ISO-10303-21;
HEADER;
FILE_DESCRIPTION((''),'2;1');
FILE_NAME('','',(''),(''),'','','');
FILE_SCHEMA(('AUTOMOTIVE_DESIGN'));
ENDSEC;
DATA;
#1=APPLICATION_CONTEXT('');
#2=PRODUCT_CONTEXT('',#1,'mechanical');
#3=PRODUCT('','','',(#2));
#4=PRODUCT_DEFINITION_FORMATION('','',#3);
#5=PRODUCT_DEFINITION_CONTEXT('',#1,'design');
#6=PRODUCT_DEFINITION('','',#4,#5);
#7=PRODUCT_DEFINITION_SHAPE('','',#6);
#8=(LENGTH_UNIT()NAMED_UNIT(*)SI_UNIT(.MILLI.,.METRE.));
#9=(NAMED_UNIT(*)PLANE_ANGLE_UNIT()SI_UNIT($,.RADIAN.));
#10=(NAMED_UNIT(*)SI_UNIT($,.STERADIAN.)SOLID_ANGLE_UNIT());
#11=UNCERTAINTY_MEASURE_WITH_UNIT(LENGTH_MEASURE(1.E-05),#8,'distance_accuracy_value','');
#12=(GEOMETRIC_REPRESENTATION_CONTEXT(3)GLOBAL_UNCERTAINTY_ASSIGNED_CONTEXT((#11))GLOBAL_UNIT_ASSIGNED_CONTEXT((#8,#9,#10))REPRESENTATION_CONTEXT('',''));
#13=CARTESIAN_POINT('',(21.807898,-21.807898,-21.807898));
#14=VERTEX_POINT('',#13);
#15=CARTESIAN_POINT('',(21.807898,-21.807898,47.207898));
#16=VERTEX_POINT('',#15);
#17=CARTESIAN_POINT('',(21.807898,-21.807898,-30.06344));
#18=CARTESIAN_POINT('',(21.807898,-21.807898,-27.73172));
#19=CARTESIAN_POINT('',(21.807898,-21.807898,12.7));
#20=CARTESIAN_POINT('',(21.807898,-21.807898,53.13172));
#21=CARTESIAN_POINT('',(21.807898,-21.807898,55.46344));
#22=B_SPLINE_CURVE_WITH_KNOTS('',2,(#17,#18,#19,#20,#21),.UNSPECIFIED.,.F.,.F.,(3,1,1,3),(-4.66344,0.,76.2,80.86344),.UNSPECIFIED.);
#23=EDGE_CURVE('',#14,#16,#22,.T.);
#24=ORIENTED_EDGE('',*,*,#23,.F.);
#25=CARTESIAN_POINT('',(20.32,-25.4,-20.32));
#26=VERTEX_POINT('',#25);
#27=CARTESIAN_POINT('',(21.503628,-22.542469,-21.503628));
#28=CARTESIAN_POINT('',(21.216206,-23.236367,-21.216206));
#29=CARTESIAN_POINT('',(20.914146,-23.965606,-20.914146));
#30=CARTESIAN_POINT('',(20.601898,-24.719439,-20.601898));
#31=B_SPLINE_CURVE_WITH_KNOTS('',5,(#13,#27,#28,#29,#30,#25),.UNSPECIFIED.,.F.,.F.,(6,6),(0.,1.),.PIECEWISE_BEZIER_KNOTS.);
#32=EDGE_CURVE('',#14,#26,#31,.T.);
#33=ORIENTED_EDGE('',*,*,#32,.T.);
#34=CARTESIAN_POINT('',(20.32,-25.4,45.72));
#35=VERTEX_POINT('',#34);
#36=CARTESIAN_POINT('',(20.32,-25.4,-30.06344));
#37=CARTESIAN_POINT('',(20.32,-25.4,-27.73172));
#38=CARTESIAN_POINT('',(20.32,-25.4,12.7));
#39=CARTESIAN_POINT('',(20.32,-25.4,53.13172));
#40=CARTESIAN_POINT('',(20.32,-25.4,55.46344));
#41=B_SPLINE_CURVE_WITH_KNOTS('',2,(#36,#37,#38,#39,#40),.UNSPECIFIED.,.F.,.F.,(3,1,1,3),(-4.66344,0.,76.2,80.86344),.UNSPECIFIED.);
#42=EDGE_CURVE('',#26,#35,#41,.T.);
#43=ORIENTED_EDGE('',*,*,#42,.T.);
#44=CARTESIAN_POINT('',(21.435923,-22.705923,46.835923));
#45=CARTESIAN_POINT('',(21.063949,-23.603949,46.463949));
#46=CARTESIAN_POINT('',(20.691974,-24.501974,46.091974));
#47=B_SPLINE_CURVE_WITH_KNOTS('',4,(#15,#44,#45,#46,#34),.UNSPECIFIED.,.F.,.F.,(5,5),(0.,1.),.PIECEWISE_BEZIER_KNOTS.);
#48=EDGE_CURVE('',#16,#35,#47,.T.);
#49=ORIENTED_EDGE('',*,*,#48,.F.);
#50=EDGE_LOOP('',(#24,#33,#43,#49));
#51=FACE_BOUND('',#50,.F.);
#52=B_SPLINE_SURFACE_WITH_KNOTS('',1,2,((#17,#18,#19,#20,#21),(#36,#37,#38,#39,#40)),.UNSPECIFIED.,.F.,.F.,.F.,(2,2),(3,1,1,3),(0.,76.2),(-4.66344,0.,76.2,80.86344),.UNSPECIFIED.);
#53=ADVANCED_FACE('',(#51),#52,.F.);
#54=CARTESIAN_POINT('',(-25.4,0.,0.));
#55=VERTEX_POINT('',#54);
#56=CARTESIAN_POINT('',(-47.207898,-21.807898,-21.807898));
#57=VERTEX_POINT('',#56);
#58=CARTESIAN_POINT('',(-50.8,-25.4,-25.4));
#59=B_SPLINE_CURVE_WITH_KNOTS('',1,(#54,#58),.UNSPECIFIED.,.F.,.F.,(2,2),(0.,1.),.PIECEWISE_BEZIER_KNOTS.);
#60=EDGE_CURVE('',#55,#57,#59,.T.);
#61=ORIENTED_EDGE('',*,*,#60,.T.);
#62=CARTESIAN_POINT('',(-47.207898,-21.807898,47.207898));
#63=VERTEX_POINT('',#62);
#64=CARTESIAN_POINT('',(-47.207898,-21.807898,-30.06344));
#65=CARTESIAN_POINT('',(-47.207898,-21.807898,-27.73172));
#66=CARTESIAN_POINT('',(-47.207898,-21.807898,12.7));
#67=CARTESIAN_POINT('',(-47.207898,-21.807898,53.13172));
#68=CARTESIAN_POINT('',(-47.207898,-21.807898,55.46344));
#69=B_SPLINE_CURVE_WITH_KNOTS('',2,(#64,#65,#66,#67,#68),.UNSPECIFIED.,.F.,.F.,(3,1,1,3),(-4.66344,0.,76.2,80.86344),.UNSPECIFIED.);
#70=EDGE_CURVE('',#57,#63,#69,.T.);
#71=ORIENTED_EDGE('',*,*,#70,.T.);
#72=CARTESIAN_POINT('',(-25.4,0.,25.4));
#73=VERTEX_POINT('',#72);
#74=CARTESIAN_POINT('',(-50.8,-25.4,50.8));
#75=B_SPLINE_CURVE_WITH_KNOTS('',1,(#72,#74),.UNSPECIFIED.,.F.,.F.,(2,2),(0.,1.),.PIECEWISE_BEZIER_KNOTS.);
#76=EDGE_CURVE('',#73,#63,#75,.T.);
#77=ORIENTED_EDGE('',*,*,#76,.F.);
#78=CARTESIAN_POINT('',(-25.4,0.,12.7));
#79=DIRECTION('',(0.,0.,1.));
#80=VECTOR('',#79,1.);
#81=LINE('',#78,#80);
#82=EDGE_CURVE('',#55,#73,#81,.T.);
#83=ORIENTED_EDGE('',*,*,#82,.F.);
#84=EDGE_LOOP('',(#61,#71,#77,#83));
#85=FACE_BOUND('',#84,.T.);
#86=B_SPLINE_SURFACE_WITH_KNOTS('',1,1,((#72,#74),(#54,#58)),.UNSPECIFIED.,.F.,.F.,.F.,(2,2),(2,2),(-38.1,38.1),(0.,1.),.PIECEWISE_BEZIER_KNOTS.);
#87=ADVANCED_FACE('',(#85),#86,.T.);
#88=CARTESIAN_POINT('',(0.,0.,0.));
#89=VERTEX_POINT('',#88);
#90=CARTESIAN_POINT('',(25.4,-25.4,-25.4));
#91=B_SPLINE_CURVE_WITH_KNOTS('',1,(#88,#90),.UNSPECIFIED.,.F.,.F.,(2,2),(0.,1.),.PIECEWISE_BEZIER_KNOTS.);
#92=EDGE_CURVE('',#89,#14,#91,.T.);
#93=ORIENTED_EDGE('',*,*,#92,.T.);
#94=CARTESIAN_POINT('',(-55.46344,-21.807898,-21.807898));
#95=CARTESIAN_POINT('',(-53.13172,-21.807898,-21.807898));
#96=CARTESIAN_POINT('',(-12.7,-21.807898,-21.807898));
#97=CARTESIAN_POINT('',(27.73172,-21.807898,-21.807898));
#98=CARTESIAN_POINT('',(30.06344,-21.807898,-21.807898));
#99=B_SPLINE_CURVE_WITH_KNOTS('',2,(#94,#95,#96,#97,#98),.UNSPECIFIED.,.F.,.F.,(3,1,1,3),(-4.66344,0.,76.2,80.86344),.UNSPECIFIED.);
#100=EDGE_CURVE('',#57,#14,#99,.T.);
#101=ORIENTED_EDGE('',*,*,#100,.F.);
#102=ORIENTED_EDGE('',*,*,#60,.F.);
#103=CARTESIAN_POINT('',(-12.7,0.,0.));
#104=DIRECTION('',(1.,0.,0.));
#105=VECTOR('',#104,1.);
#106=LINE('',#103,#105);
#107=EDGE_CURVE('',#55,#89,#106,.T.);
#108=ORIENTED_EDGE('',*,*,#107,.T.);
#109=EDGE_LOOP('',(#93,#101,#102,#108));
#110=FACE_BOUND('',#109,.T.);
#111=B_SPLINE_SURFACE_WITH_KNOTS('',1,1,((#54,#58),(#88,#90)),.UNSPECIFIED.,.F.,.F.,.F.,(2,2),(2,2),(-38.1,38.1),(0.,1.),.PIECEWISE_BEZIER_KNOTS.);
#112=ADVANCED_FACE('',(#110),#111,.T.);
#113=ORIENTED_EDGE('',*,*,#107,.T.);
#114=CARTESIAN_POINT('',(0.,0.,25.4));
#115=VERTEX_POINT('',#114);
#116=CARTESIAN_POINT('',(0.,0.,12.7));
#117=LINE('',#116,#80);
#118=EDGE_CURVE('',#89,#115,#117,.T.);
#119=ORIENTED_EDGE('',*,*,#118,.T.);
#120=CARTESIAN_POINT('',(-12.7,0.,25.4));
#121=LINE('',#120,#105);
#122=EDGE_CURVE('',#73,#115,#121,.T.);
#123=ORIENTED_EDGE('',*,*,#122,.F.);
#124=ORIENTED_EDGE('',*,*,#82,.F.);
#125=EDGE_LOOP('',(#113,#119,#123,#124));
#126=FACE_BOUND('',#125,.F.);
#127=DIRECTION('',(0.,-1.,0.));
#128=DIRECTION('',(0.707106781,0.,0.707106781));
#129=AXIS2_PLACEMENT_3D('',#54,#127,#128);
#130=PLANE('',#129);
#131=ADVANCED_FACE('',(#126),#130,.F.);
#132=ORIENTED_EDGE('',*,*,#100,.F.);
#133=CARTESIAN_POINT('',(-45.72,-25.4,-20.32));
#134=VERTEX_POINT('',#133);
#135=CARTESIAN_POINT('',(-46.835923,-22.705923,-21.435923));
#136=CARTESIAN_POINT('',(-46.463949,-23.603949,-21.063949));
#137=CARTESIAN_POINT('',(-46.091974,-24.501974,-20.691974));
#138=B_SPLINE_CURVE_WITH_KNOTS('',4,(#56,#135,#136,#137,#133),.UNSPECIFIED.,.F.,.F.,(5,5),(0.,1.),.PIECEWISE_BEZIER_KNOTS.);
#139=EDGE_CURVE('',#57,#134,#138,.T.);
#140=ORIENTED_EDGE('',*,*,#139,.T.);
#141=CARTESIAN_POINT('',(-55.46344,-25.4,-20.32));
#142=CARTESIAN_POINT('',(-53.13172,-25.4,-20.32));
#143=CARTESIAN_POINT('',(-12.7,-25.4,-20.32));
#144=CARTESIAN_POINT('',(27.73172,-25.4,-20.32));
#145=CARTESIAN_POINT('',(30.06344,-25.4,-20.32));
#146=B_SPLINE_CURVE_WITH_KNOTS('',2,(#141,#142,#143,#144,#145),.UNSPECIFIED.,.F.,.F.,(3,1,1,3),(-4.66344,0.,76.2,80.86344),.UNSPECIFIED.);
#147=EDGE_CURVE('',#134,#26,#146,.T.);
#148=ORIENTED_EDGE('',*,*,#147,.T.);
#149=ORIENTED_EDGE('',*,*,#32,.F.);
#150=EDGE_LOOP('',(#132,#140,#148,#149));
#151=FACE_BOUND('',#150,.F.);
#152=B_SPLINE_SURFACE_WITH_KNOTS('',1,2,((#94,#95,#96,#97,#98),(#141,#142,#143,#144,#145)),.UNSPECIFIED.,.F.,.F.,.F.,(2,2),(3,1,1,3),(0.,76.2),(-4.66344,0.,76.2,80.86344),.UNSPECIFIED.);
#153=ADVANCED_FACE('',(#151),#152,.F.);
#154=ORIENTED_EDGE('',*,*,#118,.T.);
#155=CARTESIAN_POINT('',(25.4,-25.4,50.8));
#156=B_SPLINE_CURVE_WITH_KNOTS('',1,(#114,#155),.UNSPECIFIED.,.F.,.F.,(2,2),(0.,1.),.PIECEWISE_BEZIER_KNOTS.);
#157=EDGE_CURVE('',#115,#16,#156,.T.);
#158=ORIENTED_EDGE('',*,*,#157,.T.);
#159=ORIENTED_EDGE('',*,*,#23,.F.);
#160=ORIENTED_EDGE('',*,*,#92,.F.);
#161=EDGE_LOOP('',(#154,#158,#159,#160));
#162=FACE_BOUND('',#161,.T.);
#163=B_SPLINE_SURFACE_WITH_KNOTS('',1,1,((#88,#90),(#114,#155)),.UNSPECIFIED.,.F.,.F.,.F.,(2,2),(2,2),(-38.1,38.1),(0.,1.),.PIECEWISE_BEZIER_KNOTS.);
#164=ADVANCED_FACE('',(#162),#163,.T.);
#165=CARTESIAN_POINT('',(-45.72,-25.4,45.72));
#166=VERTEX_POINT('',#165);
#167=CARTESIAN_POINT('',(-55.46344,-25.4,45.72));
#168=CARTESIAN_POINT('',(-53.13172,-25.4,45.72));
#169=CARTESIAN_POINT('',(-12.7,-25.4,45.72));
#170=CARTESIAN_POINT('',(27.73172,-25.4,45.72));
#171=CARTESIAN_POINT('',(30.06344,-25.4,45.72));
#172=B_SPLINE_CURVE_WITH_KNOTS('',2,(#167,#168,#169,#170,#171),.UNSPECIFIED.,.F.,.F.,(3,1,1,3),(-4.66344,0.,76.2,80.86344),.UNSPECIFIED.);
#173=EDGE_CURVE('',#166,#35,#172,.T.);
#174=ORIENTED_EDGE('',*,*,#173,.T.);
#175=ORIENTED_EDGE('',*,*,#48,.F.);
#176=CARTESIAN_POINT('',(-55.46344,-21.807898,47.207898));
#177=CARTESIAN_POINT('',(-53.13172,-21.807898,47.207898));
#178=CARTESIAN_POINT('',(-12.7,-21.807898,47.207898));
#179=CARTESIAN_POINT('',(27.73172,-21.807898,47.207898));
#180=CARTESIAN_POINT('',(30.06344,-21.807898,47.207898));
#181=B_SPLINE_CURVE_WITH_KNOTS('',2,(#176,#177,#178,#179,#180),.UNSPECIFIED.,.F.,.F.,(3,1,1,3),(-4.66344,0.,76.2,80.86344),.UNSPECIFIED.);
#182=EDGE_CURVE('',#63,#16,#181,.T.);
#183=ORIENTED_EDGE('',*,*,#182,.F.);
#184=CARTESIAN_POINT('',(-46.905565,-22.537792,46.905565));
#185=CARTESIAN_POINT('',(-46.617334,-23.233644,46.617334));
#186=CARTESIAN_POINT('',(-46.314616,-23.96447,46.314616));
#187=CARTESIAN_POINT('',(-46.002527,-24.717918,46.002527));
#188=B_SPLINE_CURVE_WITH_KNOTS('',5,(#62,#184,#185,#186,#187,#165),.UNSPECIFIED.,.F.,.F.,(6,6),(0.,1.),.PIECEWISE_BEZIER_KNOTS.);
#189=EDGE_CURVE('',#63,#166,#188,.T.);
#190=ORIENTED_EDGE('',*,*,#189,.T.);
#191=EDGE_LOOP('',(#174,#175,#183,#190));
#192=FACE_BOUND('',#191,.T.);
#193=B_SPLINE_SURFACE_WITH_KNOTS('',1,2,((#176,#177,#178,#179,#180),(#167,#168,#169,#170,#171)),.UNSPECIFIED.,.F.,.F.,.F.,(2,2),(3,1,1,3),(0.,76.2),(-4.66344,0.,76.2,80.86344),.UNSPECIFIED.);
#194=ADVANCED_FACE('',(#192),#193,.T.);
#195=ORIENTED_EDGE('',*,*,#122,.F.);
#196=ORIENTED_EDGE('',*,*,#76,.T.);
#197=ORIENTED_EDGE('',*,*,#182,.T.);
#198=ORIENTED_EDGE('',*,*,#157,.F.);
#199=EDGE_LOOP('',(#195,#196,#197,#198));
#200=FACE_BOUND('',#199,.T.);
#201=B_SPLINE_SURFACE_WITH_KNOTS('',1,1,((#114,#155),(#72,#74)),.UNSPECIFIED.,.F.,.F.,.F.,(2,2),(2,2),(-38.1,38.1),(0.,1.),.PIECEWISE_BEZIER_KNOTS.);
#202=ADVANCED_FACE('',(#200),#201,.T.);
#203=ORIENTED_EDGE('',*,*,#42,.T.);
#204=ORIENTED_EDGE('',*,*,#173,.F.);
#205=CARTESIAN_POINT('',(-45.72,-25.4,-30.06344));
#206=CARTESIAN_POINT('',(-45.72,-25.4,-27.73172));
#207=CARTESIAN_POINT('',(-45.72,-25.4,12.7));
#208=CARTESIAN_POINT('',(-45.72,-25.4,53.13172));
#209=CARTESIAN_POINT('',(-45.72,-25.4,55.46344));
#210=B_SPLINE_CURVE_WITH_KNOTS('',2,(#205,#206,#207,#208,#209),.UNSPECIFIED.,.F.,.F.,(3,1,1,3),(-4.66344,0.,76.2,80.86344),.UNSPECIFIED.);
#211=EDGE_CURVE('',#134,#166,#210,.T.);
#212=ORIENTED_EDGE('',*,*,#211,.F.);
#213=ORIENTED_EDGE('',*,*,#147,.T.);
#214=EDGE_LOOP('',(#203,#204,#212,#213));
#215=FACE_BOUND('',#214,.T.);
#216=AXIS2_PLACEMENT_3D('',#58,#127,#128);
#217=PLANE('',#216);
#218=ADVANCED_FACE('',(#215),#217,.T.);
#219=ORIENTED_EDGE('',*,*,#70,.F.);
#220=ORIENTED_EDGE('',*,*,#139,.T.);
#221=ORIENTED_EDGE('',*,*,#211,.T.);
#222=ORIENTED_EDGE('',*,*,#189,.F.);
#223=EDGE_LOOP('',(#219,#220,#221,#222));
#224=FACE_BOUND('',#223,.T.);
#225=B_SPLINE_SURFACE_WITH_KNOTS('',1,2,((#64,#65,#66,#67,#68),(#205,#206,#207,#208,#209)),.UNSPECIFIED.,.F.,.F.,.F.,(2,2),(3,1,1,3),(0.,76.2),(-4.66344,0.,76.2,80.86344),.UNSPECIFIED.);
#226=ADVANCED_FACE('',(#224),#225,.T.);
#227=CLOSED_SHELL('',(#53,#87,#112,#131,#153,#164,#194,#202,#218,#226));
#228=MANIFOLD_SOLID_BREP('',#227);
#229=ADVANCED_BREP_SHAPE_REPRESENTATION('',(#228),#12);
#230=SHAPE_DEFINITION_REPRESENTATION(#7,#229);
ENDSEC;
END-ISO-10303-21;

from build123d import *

# Parameters (mm, degrees)
F0_W     = 25.4
F0_H     = 25.4
F1_DEPTH = 25.4
F1_TAPER = -45
F2_SIZE  = 5.08


with BuildPart() as f1:
    # F0 (on Front) → F1 (new body)
    with BuildSketch(Plane.XZ):
        with Locations((-12.7, 12.7)):
            Rectangle(F0_W, F0_H)
    extrude(amount=F1_DEPTH, taper=F1_TAPER)

    # F2
    f2_edges = [f1.edges().sort_by_distance(p)[0] for p in [
        (-12.7, -25.4, -25.4),
        (25.4, -25.4, 12.7),
        (-12.7, -25.4, 50.8),
        (-50.8, -25.4, 12.7),
    ]]
    chamfer(f2_edges, length=F2_SIZE)


solid = f1.part
